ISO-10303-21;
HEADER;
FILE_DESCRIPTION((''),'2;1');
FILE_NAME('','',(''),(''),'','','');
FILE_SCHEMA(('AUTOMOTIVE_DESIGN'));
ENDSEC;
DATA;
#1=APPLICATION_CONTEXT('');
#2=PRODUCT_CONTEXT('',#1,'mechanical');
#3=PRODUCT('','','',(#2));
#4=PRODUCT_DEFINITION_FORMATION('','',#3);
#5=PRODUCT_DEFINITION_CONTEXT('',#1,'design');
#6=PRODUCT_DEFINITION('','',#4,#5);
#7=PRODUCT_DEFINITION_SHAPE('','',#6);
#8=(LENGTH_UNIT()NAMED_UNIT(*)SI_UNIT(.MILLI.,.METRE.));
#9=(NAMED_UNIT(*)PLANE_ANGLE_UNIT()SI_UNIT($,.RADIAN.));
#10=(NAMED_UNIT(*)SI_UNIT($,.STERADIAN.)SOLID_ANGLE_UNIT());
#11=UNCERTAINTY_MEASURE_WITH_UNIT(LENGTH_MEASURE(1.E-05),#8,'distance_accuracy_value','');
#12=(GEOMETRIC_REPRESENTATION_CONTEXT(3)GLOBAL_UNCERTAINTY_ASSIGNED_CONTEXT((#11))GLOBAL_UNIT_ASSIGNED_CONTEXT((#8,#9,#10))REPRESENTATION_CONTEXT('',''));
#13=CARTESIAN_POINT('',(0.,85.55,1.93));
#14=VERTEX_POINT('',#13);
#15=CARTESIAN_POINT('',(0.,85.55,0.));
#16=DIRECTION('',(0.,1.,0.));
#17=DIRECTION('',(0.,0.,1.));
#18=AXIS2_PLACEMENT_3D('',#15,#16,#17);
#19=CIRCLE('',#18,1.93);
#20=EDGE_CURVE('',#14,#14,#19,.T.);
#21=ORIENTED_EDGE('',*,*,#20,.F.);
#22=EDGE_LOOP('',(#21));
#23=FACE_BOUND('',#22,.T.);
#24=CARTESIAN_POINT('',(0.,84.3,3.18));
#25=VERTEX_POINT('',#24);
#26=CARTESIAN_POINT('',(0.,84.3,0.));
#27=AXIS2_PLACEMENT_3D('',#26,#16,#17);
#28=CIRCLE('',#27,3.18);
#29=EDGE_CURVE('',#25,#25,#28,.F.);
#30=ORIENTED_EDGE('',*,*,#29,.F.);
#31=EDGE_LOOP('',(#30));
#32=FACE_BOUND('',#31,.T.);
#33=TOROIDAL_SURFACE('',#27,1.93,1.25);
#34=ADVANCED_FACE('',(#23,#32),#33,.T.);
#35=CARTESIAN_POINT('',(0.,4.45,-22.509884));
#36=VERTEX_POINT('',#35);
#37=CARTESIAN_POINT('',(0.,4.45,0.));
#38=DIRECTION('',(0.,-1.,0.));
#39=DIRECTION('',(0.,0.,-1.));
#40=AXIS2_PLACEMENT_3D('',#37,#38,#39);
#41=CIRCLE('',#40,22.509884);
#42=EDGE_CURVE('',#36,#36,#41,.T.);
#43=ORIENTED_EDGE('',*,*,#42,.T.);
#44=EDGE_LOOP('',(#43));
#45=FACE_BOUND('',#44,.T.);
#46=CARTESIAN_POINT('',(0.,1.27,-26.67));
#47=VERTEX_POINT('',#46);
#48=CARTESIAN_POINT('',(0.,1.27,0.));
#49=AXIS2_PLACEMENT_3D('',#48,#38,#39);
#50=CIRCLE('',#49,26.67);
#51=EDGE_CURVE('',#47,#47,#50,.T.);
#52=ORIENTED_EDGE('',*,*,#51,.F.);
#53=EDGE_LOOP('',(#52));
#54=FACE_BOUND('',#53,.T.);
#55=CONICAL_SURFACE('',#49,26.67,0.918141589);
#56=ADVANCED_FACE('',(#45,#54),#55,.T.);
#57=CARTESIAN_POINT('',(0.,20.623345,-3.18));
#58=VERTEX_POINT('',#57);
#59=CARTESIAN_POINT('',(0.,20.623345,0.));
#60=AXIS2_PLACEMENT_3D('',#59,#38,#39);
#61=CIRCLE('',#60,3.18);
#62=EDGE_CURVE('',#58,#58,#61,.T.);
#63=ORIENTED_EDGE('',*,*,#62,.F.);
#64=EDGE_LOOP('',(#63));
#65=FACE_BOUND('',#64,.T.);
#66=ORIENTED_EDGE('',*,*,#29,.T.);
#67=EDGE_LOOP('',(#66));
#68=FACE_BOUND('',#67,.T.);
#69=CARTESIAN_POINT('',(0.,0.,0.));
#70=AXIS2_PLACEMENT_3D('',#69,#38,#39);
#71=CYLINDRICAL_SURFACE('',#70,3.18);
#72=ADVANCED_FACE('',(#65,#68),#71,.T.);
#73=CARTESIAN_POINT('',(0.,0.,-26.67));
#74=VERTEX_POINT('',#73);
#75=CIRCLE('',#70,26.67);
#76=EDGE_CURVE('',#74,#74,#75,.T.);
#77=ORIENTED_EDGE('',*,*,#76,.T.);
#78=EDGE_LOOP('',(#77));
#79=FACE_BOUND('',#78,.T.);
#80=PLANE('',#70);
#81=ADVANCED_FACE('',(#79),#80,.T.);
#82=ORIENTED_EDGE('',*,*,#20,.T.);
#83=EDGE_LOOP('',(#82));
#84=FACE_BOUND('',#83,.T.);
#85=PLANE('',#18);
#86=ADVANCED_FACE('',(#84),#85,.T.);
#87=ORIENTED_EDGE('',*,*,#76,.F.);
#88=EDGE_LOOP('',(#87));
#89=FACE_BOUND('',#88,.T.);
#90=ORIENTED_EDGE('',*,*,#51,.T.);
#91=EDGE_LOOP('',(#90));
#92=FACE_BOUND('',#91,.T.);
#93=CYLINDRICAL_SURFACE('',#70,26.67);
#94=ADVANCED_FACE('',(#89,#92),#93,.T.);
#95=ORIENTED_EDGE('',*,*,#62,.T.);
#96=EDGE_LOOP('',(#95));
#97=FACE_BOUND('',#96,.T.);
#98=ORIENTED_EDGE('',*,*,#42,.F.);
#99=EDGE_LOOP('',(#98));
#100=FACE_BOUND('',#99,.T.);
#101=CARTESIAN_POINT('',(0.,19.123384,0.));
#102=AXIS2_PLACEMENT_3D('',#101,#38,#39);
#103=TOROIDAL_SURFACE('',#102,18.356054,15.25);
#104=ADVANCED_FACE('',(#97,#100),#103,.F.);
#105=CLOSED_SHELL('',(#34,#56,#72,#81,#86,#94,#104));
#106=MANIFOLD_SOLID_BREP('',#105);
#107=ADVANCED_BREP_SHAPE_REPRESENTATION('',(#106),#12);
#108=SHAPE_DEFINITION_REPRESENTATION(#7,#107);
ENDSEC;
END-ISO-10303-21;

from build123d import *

# Parameters (mm, degrees)
FILLET1_R = 1.25


with BuildPart() as part:
    # Sketch1 → Revolve1 (revolve)
    with BuildSketch(Plane(origin=(0, 0, 0), x_dir=(0, 0, -1), z_dir=(1, 0, 0))):
        with BuildLine():
            Line((0, 0), (0, 85.55))
            Line((0, 85.55), (3.18, 85.55))
            Line((3.18, 85.55), (3.18, 20.623345081))
            ThreePointArc((3.18, 20.623345081), (8.570011584, 7.427407082), (22.50988431, 4.45))
            Line((22.50988431, 4.45), (26.67, 1.27))
            Line((26.67, 1.27), (26.67, 0))
            Line((26.67, 0), (0, 0))
        make_face()
    revolve(axis=Axis((0, 0, 0), (0, 1, 0)))

    # Fillet1
    fillet1_edges = [part.edges().sort_by_distance(p)[0] for p in [
        (0, 85.55, 3.18),
    ]]
    fillet(fillet1_edges, radius=FILLET1_R)


solid = part.part
